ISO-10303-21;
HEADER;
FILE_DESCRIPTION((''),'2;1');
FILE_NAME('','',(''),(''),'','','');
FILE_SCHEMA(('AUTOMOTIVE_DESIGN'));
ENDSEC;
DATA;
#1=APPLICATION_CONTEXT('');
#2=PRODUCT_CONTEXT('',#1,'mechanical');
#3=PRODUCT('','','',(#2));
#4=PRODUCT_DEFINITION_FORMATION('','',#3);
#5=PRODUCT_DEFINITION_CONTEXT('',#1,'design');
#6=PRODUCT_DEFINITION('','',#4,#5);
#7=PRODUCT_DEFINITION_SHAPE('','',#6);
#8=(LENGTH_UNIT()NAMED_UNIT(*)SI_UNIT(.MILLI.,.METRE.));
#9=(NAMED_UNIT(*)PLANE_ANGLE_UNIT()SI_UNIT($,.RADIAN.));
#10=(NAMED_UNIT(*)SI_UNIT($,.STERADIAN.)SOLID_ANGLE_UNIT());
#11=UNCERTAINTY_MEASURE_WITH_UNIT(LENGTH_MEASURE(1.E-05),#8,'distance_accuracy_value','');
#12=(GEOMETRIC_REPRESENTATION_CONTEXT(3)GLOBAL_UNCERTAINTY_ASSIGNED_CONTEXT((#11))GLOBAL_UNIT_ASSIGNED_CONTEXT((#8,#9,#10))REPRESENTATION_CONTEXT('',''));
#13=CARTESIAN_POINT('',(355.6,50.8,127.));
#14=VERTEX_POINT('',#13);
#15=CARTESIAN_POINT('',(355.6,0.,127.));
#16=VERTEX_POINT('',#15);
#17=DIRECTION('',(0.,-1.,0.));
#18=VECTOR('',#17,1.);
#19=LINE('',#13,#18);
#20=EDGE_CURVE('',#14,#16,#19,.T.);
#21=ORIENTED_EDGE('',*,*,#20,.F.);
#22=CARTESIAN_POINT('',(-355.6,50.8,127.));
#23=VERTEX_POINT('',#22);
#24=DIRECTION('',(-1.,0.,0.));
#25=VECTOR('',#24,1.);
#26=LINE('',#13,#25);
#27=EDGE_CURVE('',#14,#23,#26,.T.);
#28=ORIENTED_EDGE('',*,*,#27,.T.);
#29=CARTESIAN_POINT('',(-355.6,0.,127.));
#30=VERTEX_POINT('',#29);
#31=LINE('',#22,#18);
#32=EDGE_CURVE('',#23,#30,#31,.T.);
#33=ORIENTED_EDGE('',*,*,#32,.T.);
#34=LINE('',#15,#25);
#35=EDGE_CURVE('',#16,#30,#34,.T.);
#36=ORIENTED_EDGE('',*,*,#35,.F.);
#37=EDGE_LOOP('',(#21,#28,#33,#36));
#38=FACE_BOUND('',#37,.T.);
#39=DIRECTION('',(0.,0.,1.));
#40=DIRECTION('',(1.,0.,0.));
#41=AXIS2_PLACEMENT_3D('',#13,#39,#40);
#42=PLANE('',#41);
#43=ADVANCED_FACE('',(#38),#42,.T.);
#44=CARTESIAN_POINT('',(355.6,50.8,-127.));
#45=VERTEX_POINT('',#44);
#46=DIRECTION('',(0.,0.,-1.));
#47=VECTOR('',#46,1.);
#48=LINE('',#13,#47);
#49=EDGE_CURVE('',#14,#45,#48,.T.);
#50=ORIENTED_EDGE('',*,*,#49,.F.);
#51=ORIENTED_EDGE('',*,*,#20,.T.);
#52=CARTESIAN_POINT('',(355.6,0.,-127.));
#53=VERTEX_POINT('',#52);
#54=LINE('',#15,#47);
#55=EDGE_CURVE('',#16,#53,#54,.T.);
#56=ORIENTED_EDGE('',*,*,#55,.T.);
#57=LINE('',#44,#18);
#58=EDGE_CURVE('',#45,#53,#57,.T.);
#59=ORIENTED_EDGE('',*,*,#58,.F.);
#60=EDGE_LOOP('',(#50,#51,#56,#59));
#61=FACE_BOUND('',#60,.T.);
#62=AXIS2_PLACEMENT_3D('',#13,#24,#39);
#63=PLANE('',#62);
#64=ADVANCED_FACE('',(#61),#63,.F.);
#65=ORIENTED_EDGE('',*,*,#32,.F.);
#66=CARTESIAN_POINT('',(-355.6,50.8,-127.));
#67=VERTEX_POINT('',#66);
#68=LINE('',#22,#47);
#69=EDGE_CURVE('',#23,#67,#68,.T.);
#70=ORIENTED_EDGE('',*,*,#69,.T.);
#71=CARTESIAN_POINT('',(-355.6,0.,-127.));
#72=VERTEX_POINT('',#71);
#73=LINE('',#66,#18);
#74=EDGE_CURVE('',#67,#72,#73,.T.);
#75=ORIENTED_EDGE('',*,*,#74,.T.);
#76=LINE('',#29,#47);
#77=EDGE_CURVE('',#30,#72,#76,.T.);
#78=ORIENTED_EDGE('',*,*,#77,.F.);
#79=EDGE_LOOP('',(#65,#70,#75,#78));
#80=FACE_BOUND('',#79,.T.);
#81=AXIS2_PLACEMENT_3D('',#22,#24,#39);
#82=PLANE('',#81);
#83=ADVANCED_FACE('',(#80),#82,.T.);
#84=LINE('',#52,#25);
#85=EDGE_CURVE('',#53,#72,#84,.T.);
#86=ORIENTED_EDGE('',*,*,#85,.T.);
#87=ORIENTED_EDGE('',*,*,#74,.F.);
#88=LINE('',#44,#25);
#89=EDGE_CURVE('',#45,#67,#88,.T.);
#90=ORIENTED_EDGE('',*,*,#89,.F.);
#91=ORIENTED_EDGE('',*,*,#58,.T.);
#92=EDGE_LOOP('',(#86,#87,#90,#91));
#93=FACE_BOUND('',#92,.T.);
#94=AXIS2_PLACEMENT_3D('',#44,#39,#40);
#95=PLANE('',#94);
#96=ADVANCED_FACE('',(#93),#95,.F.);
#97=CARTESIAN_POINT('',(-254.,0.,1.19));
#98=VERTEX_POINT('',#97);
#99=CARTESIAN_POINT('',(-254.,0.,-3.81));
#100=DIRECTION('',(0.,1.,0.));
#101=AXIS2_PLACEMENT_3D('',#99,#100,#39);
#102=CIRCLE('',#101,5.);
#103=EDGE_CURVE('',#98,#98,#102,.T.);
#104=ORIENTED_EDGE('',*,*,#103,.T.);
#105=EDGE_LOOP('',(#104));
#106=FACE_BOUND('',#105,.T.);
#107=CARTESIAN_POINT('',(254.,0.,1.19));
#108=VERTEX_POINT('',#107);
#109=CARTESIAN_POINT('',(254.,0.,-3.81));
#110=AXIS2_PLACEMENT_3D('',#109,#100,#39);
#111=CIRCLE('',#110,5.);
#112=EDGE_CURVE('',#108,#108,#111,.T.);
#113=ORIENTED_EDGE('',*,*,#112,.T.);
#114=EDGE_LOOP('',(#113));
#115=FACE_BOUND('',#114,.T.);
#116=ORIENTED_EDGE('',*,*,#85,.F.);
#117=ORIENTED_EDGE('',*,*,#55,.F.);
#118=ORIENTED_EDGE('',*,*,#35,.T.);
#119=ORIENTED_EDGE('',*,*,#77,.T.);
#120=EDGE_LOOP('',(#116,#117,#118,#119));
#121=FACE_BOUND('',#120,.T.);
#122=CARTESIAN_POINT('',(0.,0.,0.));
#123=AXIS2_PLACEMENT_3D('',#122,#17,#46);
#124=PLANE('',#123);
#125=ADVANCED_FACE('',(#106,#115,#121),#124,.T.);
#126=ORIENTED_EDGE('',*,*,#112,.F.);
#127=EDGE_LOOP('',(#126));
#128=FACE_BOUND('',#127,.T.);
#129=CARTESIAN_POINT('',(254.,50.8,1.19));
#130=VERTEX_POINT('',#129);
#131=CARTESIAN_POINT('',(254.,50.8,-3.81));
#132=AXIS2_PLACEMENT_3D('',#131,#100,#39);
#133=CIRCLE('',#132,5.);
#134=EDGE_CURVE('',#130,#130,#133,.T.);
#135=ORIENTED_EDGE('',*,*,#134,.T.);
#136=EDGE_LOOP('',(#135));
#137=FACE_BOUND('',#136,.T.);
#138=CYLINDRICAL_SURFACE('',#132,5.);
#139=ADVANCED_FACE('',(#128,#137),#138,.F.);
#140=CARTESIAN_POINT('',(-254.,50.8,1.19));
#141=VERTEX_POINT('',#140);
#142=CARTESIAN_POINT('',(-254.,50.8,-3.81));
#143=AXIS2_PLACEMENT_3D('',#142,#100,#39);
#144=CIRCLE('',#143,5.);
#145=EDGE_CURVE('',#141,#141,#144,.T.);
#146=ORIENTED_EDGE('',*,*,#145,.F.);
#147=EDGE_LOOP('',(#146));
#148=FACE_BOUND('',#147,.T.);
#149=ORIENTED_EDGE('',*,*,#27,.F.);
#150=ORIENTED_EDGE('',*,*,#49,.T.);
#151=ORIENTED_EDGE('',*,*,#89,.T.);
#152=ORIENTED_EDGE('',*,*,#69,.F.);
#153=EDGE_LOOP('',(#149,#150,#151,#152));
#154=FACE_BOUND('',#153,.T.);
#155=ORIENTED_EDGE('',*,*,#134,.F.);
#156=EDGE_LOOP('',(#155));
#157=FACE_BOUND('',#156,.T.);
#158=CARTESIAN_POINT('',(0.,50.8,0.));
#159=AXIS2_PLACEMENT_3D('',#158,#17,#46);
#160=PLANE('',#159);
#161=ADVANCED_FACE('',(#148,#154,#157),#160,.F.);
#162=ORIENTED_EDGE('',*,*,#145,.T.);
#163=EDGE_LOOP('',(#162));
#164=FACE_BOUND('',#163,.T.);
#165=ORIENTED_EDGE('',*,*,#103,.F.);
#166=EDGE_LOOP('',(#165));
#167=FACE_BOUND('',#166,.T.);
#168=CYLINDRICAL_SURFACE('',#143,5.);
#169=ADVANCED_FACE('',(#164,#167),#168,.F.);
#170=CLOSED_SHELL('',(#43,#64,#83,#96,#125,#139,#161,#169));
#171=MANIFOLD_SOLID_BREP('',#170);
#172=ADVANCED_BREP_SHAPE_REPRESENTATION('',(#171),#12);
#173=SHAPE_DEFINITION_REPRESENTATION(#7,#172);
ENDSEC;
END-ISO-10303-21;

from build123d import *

# Parameters (mm, degrees)
SKETCH1_W              = 711.2
SKETCH1_H              = 254
BOSS_EXTRUDE1_DEPTH    = 50.8
F_10_0MM_DOWEL_HOLE1_D = 10


with BuildPart() as part:
    # Sketch1 → Boss-Extrude1 (new body)
    with BuildSketch(Plane(origin=(0, 0, 0), x_dir=(1, 0, 0), z_dir=(0, 1, 0))):
        Rectangle(SKETCH1_W, SKETCH1_H)
    extrude(amount=BOSS_EXTRUDE1_DEPTH)

    # Ø10.0mm Dowel Hole1 (through all)
    with Locations(Plane(origin=(0, 50.8, 0), x_dir=(1, 0, 0), z_dir=(0, 1, 0))):
        with Locations((-254, 3.81), (254, 3.81)):
            Hole(F_10_0MM_DOWEL_HOLE1_D / 2)


solid = part.part
